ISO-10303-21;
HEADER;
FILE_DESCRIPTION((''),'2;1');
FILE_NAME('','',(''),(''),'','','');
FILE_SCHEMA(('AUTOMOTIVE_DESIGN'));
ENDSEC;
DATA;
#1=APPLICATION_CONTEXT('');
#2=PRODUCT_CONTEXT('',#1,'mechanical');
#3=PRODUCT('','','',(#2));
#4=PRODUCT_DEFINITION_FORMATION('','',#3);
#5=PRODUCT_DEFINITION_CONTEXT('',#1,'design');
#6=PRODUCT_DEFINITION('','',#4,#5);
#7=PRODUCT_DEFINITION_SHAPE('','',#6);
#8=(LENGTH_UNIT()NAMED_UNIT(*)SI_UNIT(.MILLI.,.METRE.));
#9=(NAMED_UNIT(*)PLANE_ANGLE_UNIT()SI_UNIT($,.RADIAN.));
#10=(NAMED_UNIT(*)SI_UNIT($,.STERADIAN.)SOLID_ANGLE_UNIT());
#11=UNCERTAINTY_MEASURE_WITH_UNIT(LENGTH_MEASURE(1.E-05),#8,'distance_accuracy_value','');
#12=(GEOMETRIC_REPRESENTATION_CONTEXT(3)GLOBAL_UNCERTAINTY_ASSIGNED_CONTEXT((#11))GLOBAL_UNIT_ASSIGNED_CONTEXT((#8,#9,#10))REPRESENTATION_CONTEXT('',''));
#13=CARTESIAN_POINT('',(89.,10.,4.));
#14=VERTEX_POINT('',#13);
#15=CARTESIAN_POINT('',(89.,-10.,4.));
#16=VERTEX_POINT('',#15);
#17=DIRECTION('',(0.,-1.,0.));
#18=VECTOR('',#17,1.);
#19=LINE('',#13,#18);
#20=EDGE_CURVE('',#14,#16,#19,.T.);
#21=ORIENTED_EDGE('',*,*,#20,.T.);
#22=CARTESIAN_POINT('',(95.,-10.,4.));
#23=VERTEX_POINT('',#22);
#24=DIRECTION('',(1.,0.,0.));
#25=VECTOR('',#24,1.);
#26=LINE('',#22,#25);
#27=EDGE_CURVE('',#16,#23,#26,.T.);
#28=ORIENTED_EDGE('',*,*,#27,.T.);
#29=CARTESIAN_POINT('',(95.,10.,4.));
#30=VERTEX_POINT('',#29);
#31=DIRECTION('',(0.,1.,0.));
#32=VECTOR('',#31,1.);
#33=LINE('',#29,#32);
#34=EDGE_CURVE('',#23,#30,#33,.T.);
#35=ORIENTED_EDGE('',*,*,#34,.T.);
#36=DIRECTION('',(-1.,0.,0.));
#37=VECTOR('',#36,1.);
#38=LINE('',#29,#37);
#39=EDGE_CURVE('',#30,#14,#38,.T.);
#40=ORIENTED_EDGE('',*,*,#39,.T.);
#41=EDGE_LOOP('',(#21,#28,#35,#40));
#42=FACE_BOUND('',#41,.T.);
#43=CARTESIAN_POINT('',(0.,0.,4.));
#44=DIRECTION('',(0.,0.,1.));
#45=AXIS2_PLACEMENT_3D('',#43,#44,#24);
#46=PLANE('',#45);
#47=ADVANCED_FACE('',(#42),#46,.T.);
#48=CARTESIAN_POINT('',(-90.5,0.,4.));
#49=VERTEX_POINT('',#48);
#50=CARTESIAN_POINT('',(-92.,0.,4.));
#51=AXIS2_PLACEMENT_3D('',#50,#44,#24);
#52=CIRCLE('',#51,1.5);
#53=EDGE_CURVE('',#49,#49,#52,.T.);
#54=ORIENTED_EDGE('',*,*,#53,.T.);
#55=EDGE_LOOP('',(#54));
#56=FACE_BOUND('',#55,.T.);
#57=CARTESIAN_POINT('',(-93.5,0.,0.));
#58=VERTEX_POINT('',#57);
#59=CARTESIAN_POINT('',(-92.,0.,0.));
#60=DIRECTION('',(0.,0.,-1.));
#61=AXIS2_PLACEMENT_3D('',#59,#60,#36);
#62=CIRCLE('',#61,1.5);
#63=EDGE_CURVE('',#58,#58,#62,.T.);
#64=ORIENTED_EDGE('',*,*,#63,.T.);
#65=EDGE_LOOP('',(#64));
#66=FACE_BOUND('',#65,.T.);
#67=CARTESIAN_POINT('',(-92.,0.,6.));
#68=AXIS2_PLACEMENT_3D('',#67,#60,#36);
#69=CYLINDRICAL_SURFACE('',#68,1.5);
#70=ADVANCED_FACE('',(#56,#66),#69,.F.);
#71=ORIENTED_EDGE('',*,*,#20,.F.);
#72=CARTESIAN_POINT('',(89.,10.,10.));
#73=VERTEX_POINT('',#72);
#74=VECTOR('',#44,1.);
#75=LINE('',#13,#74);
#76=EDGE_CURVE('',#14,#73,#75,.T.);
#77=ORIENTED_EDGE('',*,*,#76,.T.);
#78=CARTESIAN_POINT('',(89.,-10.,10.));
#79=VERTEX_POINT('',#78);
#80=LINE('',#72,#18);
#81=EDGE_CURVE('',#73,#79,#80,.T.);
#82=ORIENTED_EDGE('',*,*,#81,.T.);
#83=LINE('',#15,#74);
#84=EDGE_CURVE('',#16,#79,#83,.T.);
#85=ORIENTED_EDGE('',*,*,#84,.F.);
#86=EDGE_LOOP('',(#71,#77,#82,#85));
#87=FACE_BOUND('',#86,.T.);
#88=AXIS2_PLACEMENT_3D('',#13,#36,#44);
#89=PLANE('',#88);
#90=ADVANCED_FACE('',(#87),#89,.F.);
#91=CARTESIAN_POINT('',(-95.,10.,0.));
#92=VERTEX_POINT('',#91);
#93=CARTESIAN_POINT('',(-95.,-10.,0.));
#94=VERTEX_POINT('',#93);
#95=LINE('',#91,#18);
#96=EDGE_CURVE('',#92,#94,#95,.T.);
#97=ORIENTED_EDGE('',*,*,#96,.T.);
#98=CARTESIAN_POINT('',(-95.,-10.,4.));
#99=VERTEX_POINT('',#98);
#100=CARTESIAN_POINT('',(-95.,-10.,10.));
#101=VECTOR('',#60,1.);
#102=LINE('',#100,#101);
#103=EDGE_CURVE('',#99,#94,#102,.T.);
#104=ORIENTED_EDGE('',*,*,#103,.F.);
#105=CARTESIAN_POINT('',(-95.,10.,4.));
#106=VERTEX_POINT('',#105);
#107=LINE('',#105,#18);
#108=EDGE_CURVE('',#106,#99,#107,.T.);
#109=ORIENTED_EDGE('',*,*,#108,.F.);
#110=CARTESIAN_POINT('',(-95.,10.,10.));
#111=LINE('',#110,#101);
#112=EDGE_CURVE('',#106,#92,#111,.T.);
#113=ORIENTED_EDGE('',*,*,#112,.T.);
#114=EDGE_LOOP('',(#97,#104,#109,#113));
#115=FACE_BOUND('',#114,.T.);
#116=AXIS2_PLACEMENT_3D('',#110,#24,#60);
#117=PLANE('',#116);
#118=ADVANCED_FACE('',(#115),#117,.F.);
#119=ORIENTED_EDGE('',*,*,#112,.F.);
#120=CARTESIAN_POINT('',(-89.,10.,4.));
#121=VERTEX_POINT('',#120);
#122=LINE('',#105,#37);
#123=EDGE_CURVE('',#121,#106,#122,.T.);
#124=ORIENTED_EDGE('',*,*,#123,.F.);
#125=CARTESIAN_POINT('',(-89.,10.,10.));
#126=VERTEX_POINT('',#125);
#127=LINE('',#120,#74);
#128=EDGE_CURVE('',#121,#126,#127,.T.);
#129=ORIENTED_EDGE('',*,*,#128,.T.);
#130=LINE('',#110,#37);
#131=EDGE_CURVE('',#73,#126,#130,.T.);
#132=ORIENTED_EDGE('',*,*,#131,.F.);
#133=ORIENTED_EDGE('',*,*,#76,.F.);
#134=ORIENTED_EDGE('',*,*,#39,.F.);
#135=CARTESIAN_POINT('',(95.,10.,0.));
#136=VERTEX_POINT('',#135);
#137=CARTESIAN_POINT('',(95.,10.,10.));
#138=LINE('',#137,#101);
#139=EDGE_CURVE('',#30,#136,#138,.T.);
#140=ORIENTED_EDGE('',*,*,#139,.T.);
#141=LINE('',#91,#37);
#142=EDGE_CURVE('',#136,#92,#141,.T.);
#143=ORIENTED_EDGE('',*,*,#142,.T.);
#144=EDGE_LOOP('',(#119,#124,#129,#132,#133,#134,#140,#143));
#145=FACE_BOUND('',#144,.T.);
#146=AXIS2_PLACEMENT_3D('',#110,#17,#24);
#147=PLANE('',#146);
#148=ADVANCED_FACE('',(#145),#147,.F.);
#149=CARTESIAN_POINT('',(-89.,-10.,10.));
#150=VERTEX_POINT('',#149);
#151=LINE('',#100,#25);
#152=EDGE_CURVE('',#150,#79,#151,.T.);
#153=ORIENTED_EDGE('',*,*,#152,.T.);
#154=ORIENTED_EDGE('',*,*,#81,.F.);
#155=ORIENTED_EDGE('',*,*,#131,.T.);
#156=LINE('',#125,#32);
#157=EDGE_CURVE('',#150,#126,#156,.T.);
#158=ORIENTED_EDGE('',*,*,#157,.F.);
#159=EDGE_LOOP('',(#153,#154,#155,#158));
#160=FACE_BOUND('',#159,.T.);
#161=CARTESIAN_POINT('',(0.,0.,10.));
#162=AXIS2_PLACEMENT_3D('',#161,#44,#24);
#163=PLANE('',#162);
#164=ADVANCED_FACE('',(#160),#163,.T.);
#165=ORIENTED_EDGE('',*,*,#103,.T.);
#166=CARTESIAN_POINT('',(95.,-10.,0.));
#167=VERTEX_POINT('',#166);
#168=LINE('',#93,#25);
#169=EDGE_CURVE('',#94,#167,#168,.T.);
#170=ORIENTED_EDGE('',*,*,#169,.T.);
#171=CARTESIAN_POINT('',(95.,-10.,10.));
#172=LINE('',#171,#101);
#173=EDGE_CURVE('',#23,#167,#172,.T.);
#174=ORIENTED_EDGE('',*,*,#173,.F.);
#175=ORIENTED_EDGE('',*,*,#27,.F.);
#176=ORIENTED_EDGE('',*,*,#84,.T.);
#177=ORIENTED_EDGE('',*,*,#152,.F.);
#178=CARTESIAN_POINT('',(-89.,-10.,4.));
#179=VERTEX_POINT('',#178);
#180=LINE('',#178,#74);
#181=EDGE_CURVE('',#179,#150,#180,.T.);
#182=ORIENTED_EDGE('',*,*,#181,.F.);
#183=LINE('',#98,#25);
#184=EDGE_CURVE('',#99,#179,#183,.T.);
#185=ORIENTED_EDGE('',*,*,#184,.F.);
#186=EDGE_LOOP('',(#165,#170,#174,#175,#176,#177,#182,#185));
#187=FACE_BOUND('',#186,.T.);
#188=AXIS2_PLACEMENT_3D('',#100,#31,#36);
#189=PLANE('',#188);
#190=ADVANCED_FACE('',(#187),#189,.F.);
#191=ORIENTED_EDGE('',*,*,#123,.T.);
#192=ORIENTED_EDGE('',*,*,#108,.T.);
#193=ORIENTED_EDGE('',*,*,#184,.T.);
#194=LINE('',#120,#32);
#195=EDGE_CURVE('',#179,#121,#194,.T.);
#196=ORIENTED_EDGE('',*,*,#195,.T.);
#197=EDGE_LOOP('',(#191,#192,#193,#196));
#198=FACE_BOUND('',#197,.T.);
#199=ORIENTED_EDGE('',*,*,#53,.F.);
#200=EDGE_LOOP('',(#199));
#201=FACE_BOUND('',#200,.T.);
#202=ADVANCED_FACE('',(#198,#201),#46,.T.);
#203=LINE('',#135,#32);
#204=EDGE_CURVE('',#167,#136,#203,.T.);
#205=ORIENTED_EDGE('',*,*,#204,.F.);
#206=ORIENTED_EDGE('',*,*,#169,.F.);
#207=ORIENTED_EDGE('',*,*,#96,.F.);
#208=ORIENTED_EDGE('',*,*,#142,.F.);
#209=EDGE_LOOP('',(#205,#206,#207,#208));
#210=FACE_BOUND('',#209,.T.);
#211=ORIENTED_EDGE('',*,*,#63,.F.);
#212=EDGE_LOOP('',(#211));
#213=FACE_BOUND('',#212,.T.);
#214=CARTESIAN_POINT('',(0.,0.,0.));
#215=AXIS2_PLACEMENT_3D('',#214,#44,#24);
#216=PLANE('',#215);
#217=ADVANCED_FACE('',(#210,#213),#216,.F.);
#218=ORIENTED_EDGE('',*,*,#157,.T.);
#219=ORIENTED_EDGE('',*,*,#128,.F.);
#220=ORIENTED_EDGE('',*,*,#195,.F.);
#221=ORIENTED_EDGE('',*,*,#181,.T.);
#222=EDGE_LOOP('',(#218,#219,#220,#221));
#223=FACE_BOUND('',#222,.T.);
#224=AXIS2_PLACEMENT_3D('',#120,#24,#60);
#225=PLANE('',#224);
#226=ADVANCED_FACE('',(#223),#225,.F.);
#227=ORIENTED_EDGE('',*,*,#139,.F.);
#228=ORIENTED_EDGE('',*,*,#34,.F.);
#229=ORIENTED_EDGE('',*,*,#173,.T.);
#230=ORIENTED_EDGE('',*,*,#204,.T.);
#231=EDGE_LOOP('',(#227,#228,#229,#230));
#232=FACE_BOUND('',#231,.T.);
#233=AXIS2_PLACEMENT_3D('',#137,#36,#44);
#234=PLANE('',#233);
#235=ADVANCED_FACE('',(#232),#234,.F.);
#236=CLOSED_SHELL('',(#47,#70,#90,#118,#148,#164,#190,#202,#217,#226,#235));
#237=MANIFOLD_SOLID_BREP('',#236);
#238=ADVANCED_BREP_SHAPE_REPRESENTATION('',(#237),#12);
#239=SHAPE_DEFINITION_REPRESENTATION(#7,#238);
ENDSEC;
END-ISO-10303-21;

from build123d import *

# Parameters (mm, degrees)
ESQUISSE1_W             = 190
ESQUISSE1_H             = 20
BOSS_EXTRU_1_DEPTH      = 10
ESQUISSE2_W             = 6
ESQUISSE2_H             = 20
ENL_V_MAT_EXTRU_1_DEPTH = 6
ESQUISSE3_R             = 1.5
ENL_V_MAT_EXTRU_2_DEPTH = 6


with BuildPart() as part:
    # Esquisse1 → Boss.-Extru.1 (new body)
    with BuildSketch(Plane.XY):
        Rectangle(ESQUISSE1_W, ESQUISSE1_H)
    extrude(amount=BOSS_EXTRU_1_DEPTH)

    # Esquisse2 → Enlèv. mat.-Extru.1 (cut)
    with BuildSketch(Plane.XY.offset(10)):
        with Locations((-92, 0)):
            Rectangle(ESQUISSE2_W, ESQUISSE2_H)
        with Locations((92, 0)):
            Rectangle(ESQUISSE2_W, ESQUISSE2_H)
    extrude(amount=-ENL_V_MAT_EXTRU_1_DEPTH, mode=Mode.SUBTRACT)

    # Esquisse3 → Enlèv. mat.-Extru.2 (cut)
    with BuildSketch(Plane(origin=(0, 0, 0), x_dir=(-1, 0, 0), z_dir=(0, 0, -1))):
        with Locations((92, 0)):
            Circle(ESQUISSE3_R)
    extrude(amount=-ENL_V_MAT_EXTRU_2_DEPTH, mode=Mode.SUBTRACT)


solid = part.part
